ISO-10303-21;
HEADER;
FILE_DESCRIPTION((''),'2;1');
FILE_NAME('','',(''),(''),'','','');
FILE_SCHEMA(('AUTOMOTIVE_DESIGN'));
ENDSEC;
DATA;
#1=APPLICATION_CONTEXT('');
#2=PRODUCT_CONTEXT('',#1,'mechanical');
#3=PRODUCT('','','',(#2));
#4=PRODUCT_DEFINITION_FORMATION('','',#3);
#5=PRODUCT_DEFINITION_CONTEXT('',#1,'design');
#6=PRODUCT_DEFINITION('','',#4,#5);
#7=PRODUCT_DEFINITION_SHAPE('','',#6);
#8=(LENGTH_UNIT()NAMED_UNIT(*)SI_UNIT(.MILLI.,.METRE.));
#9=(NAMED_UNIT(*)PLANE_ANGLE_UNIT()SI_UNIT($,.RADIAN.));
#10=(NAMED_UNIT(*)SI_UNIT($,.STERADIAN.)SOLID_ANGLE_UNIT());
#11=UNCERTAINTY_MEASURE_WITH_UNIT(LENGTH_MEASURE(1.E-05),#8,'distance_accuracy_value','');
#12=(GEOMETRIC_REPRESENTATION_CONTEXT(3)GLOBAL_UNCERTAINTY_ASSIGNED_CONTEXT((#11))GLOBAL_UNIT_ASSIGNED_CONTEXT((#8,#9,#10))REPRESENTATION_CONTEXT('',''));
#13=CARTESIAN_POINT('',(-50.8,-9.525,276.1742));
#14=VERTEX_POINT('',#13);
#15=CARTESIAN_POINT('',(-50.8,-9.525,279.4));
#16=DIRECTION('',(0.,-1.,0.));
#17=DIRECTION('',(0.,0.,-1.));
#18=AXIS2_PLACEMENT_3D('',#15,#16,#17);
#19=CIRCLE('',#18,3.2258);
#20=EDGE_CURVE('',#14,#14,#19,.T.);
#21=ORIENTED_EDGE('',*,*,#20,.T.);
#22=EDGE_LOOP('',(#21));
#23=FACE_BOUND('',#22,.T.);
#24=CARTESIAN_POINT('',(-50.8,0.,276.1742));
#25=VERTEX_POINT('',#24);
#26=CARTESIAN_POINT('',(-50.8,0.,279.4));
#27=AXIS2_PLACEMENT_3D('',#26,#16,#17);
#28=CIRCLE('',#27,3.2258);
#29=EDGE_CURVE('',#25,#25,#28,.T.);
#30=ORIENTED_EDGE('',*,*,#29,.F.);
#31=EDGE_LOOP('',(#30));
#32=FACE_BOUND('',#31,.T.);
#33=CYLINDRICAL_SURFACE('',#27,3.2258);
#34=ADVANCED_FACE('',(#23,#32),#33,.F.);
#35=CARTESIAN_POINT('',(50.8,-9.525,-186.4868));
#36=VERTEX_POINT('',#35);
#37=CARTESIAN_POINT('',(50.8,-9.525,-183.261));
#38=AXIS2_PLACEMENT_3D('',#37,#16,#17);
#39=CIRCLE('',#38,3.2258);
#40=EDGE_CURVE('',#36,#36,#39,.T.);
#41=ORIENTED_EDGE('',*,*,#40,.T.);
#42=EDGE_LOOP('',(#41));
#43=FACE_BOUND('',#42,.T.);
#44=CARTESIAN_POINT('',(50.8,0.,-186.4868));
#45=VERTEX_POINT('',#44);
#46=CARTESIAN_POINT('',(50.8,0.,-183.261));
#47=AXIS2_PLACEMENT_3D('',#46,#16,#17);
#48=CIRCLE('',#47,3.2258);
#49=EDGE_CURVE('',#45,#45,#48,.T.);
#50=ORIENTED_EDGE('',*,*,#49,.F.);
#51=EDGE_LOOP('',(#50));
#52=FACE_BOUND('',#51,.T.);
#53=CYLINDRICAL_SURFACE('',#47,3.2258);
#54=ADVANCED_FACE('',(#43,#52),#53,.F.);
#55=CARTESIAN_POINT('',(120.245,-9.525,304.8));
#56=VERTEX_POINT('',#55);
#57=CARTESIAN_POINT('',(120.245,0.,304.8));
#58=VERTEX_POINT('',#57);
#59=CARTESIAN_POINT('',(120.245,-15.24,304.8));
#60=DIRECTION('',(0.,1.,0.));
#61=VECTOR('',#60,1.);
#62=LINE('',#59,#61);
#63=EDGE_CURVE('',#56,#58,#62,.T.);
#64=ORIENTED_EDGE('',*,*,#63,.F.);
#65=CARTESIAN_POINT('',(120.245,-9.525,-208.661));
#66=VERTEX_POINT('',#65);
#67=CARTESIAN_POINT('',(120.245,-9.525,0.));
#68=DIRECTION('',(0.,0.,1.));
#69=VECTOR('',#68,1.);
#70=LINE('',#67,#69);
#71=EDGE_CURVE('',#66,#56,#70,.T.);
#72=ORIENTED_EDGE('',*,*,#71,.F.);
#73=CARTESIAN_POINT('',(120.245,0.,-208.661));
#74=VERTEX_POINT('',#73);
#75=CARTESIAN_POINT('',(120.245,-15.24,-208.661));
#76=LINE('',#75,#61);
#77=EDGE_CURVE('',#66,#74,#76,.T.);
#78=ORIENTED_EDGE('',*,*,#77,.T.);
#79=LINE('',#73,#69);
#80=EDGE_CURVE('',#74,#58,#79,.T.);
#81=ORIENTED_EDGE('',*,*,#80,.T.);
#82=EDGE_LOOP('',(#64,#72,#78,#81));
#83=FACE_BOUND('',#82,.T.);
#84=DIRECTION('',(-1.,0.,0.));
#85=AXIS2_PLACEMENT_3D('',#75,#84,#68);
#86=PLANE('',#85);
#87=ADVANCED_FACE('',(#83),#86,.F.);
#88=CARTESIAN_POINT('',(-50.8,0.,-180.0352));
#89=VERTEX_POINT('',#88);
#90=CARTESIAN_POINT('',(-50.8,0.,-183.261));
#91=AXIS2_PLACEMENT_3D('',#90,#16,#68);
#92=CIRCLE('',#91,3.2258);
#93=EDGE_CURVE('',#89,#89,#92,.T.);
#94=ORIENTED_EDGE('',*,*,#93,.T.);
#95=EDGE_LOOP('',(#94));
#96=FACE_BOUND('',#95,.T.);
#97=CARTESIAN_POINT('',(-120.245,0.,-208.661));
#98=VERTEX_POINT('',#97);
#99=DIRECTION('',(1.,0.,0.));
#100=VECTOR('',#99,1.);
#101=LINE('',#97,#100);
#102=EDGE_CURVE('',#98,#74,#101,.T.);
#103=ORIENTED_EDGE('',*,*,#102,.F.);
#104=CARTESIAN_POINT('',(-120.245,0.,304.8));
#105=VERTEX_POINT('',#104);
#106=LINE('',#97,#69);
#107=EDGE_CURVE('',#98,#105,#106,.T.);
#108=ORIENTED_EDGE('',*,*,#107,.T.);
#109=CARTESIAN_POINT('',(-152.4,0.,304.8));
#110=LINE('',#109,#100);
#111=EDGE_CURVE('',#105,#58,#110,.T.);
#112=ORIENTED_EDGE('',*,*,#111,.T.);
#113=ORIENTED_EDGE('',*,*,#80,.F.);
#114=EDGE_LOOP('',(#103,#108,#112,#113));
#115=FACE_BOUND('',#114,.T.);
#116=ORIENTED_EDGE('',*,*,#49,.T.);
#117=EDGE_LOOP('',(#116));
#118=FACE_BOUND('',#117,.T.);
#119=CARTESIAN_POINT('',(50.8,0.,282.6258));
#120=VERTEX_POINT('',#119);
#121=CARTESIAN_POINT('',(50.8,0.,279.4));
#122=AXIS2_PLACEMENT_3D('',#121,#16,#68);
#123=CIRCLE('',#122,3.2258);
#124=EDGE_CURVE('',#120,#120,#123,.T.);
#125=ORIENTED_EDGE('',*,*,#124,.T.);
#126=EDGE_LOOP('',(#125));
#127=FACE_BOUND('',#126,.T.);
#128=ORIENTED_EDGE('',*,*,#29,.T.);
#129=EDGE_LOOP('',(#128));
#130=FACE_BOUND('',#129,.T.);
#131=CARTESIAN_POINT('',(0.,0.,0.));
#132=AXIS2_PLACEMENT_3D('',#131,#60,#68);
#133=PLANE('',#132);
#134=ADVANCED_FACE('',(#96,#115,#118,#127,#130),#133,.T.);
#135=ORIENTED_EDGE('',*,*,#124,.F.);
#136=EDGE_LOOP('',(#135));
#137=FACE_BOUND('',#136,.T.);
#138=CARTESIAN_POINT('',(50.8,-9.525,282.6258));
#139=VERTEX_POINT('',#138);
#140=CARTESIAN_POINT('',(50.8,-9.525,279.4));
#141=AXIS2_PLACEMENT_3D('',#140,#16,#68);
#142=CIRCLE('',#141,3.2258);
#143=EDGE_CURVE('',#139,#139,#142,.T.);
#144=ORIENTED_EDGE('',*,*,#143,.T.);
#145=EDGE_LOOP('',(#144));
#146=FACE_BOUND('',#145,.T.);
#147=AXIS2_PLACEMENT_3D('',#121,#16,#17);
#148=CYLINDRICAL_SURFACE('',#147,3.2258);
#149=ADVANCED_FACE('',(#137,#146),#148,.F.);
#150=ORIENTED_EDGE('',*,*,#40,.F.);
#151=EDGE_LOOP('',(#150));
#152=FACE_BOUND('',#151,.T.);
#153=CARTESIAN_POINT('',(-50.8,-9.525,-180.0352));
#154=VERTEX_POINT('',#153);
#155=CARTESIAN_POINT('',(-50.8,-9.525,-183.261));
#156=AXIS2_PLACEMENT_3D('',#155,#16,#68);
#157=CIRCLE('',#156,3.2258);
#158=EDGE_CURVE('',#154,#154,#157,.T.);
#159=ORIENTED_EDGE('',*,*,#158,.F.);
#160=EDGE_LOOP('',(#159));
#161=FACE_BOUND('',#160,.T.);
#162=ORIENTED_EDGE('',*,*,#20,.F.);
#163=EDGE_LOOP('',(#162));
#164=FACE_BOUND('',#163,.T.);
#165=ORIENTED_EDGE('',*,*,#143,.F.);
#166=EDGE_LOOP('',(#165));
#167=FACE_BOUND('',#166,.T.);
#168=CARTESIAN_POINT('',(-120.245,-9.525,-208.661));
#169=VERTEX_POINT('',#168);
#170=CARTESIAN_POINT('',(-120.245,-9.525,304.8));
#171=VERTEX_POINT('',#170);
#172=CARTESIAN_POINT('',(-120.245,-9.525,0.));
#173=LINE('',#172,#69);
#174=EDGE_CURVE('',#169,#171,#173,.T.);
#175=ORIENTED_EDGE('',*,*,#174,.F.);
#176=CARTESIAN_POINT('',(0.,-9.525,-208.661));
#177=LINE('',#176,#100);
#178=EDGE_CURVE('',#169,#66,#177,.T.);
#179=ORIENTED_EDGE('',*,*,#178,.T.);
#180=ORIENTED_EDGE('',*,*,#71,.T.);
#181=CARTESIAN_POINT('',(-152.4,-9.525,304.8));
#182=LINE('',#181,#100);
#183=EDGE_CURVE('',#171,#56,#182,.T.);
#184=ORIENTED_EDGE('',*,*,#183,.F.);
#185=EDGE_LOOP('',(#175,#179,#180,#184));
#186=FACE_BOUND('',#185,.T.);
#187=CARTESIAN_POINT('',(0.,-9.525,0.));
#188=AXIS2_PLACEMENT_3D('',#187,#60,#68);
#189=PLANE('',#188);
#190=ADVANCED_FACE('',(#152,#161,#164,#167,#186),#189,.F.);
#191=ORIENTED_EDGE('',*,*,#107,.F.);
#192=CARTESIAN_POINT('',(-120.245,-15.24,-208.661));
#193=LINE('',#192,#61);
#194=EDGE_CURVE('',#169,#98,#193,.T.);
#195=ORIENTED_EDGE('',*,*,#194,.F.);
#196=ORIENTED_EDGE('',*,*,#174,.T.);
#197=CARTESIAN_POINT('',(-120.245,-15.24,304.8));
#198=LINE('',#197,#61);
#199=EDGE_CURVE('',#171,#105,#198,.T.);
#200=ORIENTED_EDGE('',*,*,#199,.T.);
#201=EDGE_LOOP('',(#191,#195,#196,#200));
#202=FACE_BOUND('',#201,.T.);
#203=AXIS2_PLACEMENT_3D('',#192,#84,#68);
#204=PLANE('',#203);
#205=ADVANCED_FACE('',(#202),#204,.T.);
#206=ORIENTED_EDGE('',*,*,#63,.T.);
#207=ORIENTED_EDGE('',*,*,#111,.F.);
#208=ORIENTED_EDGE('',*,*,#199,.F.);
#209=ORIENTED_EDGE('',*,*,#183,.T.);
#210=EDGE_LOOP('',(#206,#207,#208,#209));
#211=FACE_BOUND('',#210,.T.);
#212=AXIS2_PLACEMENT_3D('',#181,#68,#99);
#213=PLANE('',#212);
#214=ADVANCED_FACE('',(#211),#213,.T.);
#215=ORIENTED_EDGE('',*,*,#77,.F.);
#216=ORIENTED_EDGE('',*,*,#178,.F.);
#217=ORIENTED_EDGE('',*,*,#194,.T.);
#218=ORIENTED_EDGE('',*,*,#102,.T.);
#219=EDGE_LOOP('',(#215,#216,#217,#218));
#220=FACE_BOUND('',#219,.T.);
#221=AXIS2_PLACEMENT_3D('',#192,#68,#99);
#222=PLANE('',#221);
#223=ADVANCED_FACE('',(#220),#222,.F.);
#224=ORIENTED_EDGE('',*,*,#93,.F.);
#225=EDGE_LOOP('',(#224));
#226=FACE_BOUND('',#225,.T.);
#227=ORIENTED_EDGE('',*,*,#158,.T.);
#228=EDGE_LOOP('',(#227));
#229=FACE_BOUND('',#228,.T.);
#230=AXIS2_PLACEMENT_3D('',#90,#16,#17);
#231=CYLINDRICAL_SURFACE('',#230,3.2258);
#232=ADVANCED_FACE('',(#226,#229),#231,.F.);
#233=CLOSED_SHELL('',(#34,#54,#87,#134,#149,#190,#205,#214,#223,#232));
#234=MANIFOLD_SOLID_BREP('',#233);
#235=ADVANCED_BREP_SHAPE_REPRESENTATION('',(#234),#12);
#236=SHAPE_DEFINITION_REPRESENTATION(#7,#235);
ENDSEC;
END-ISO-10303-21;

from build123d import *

# Parameters (mm, degrees)
SKETCH3_W           = 304.8
SKETCH3_H           = 609.6
BOSS_EXTRUDE1_DEPTH = 9.525
CUT_EXTRUDE1_DEPTH  = 15.24
SKETCH9_R           = 3.2258
CUT_EXTRUDE3_DEPTH  = 10.525


with BuildPart() as part:
    # Sketch3 → Boss-Extrude1 (new body)
    with BuildSketch(Plane(origin=(0, 0, 0), x_dir=(1, 0, 0), z_dir=(0, 1, 0))):
        Rectangle(SKETCH3_W, SKETCH3_H)
    extrude(amount=-BOSS_EXTRUDE1_DEPTH)

    # Sketch4 → Cut-Extrude1 (cut)
    with BuildSketch(Plane(origin=(0, 0, 0), x_dir=(1, 0, 0), z_dir=(0, 1, 0))):
        Polygon((-152.4, 304.8), (152.4, 304.8), (152.4, 208.661), (152.4, -304.8), (120.245, -304.8), (120.245, 208.661), (-120.245, 208.661), (-120.245, -304.8), (-152.4, -304.8), (-152.4, 208.661), align=None)
    extrude(amount=-CUT_EXTRUDE1_DEPTH, mode=Mode.SUBTRACT)

    # Sketch9 → Cut-Extrude3 (cut, through all)
    with BuildSketch(Plane(origin=(0, -9.525, 0), x_dir=(-1, 0, 0), z_dir=(0, -1, 0))):
        with Locations((-50.8, 183.261)):
            Circle(SKETCH9_R)
        with Locations((50.8, 183.261)):
            Circle(SKETCH9_R)
        with Locations((50.8, -279.4)):
            Circle(SKETCH9_R)
        with Locations((-50.8, -279.4)):
            Circle(SKETCH9_R)
    extrude(amount=-CUT_EXTRUDE3_DEPTH, mode=Mode.SUBTRACT)


solid = part.part
